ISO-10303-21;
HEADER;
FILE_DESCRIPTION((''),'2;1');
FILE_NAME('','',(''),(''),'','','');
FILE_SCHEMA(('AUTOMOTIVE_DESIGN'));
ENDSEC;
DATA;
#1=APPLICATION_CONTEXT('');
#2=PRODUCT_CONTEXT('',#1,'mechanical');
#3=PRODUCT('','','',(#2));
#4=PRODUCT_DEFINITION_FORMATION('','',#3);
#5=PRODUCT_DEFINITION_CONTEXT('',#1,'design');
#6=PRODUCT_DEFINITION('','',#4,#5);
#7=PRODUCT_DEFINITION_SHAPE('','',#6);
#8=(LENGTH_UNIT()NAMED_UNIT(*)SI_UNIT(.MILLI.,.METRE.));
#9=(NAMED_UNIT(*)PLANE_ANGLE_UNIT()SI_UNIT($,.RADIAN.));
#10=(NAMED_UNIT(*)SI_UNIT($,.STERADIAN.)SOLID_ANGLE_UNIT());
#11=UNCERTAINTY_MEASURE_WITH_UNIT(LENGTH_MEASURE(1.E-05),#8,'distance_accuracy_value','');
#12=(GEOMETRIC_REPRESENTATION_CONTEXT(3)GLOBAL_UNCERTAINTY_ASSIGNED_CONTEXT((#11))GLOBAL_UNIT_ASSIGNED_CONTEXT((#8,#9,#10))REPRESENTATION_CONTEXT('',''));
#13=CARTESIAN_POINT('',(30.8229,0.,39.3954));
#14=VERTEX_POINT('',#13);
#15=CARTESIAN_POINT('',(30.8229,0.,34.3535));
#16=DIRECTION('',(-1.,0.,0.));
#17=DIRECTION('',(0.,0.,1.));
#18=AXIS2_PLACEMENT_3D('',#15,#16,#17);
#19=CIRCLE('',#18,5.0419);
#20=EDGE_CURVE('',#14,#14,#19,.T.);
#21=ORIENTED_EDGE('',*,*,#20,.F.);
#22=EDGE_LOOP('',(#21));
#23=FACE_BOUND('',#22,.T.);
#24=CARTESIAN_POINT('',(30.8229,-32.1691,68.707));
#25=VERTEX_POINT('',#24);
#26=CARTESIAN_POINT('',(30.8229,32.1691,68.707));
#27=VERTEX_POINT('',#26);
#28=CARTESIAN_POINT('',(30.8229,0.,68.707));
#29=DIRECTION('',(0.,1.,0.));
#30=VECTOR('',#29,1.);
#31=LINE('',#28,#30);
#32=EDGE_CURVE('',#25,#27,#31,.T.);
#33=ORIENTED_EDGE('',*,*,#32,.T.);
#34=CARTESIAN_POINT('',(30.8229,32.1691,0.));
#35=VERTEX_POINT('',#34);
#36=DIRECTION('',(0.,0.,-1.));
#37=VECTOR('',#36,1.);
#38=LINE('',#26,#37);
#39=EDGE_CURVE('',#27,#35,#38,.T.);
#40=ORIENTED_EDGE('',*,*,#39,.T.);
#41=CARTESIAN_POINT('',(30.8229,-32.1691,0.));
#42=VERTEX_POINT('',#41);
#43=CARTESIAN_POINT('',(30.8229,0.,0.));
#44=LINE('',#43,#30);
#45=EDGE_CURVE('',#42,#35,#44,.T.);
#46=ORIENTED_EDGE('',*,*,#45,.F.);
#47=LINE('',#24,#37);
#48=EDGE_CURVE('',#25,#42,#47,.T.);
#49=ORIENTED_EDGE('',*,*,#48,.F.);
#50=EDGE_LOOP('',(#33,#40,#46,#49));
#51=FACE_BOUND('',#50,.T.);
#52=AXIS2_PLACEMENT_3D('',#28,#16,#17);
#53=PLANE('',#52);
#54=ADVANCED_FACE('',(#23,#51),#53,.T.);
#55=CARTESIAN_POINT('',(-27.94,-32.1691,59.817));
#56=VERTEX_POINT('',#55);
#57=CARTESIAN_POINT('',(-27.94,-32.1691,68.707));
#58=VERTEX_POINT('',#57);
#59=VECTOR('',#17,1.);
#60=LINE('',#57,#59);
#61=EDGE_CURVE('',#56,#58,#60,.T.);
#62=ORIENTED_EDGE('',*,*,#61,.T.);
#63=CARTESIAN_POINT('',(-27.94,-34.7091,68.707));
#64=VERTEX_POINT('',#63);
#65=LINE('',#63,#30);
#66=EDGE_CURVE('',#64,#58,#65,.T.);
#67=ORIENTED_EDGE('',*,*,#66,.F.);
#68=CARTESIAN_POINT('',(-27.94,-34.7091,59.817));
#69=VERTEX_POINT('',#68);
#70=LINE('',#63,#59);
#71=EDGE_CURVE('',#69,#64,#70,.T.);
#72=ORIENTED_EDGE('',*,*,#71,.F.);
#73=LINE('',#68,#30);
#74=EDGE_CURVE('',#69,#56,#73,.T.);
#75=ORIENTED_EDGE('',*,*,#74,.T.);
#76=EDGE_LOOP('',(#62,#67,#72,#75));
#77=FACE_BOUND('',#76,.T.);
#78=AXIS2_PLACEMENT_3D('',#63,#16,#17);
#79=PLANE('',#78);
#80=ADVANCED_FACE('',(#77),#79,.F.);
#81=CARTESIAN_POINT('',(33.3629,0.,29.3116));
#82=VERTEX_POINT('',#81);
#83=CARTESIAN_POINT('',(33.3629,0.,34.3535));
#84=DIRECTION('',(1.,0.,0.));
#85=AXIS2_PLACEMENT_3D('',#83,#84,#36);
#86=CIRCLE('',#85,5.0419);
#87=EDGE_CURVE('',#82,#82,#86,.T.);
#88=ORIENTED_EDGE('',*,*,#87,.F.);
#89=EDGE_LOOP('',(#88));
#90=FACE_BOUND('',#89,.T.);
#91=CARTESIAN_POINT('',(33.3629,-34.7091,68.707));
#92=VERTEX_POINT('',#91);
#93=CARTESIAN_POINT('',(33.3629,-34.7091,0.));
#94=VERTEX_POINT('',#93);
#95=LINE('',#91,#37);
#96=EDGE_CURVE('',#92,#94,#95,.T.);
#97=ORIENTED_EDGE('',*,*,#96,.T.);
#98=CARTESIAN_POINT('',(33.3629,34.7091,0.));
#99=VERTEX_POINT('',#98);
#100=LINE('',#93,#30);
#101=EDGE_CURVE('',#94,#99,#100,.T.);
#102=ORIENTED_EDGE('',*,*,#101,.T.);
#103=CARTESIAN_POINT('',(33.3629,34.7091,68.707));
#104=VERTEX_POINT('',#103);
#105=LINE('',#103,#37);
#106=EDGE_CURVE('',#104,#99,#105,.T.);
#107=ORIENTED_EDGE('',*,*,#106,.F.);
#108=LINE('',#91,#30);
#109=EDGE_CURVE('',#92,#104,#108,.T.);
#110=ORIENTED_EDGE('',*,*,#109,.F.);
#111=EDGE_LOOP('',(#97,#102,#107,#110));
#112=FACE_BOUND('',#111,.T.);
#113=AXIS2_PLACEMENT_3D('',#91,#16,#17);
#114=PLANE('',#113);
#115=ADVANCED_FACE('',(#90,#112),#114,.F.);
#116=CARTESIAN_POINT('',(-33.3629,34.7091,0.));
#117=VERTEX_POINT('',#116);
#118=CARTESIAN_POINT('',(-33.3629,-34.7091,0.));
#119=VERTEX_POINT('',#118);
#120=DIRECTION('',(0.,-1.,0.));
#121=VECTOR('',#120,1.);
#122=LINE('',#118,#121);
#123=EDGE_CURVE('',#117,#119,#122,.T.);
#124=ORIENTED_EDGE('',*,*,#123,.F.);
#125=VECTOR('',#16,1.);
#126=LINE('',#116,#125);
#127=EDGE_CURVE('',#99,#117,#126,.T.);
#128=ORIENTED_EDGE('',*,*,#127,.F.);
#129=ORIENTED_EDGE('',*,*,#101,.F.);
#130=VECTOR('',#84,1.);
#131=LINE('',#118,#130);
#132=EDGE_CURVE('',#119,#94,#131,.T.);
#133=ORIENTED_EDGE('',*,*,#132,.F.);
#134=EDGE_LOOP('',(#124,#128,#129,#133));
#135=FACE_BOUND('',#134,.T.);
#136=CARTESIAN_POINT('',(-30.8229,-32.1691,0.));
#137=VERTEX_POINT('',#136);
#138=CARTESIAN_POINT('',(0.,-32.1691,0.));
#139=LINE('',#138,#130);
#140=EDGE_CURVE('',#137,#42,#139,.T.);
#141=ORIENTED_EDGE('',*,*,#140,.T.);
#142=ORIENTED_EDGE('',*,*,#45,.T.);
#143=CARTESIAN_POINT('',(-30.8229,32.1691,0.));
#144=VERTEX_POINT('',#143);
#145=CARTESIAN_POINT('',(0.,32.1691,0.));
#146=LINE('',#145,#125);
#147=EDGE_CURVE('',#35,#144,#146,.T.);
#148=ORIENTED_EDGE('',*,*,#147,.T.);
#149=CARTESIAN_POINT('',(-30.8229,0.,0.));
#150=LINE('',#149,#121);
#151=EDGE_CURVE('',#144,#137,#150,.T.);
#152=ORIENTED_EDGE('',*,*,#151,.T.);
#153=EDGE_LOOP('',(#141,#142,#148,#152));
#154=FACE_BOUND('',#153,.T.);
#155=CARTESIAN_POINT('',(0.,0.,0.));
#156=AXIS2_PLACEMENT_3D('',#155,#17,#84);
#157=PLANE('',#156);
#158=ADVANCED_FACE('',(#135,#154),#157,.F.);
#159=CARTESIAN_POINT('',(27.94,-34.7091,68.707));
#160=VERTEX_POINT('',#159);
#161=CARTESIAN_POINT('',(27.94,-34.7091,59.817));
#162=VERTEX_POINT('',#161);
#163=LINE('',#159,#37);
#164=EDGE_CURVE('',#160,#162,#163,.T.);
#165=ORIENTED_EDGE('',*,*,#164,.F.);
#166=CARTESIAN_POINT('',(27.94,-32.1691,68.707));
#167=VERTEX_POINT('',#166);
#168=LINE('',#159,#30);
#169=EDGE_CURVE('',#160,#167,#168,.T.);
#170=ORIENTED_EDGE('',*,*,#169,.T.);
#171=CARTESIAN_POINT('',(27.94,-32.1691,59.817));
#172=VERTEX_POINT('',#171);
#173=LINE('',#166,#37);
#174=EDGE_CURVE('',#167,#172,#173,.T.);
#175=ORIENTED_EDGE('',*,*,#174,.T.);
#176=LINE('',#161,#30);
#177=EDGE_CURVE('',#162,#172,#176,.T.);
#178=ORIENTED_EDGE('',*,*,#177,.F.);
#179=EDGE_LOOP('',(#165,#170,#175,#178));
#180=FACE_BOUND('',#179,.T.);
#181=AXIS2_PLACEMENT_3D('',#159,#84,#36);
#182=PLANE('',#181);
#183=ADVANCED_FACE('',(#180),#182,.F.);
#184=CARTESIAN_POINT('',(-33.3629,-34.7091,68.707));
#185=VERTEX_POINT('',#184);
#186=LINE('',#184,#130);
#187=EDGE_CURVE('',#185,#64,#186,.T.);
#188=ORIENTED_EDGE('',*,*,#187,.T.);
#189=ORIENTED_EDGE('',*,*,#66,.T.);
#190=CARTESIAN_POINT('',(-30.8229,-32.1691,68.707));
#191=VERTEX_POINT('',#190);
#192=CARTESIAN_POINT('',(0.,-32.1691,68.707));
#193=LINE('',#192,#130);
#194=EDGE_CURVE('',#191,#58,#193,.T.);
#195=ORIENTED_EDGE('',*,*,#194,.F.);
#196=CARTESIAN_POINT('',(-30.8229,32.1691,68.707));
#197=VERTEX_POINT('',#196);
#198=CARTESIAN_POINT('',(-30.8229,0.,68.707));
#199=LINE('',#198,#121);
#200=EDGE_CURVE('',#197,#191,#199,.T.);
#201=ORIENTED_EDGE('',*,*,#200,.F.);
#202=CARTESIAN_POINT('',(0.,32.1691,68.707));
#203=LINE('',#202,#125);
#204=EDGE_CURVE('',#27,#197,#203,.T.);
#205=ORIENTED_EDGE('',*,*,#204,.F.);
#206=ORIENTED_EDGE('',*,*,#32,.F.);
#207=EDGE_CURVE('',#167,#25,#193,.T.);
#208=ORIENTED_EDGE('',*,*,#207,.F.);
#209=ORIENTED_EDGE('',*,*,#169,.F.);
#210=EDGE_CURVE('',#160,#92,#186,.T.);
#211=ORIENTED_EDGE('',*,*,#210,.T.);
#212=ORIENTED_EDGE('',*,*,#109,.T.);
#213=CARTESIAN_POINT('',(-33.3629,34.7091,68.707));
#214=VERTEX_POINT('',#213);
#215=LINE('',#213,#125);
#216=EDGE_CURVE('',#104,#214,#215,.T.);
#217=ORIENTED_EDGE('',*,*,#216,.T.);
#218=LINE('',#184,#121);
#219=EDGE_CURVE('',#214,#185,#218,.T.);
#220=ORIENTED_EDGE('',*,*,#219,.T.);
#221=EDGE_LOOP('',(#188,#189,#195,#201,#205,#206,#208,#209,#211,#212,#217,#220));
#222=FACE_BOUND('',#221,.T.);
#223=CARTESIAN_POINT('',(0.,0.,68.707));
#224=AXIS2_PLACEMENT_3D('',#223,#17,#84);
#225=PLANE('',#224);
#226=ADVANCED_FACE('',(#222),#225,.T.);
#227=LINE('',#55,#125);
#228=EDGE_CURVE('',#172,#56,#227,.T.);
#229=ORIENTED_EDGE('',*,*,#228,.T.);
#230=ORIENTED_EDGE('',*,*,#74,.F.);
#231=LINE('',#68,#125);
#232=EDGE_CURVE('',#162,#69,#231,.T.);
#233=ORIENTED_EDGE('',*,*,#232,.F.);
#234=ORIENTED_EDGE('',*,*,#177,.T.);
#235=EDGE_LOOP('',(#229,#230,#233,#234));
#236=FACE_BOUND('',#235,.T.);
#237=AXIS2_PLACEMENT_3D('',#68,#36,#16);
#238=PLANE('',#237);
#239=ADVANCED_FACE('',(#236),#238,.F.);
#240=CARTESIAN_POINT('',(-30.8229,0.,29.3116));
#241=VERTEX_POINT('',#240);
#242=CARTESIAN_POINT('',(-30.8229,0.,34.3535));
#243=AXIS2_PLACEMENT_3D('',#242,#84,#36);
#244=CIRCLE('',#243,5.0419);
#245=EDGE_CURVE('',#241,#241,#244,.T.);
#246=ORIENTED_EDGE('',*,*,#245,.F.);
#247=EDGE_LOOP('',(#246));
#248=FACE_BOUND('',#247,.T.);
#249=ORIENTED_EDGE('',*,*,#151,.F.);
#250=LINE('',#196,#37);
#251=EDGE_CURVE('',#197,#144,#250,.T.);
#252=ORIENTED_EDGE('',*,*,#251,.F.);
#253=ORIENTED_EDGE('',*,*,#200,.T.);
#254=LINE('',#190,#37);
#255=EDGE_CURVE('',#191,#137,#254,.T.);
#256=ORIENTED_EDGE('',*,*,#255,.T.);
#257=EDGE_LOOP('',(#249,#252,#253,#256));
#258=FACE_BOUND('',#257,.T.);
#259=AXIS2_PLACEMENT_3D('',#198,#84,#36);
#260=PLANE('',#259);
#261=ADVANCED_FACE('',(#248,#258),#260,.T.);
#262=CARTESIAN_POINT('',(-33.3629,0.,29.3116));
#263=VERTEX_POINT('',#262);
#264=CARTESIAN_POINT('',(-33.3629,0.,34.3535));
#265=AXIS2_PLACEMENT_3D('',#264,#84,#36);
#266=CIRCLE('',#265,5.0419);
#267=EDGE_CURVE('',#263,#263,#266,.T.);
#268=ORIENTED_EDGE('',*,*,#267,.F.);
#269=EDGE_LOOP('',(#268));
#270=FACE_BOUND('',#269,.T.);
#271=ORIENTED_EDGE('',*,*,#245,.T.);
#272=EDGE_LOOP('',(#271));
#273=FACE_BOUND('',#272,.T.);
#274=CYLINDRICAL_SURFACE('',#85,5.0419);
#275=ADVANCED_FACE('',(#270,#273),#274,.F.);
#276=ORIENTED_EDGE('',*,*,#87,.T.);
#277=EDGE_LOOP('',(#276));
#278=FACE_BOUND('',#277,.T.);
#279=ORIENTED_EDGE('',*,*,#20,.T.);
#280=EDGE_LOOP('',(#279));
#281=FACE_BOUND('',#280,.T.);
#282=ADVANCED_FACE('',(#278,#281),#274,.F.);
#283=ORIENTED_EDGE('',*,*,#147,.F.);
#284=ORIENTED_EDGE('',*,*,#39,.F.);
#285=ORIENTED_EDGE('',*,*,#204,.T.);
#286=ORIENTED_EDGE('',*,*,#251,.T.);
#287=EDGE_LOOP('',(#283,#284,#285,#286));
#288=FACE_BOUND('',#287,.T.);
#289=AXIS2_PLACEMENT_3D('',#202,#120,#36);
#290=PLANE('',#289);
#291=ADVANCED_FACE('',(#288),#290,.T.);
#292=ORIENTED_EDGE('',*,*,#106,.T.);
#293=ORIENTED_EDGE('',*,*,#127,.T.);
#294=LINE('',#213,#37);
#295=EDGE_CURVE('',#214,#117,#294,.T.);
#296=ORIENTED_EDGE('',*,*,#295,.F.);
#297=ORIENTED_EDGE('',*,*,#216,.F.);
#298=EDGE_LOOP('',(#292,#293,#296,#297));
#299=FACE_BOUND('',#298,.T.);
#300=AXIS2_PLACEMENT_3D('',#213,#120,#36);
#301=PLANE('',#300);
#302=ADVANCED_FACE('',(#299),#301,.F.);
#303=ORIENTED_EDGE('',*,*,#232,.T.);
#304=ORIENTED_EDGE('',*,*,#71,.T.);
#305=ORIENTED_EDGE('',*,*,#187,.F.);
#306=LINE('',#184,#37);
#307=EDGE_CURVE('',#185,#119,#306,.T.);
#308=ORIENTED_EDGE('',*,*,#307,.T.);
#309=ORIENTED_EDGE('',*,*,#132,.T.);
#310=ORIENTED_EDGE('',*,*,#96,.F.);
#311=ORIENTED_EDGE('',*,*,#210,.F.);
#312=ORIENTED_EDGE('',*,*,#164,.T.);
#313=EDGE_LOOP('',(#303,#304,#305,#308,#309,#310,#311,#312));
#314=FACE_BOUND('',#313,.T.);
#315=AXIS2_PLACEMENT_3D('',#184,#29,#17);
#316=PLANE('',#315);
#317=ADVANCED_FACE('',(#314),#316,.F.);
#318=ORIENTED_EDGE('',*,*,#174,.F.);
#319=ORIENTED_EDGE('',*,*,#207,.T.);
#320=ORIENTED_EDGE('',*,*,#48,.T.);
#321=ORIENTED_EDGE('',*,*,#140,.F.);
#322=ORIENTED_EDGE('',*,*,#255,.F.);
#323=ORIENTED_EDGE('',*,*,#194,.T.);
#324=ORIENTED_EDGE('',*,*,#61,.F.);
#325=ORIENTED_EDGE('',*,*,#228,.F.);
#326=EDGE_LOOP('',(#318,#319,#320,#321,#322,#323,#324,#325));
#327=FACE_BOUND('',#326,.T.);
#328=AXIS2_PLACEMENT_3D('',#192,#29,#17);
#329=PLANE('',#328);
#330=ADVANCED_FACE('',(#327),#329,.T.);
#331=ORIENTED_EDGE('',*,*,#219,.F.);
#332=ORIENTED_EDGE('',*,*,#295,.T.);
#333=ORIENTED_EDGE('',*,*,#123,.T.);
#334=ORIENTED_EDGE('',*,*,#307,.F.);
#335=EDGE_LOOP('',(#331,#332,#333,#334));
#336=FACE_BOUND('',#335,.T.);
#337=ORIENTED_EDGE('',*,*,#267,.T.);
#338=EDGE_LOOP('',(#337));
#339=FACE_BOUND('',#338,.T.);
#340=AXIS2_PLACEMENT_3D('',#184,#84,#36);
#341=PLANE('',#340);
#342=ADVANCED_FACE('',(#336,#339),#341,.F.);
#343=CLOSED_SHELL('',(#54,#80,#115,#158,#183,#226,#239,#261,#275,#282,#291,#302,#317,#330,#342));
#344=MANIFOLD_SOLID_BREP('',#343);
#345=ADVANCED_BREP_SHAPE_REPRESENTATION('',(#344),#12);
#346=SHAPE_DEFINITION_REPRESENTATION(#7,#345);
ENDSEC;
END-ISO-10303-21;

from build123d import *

# Parameters (mm, degrees)
SKETCH1_W               = 66.7258
SKETCH1_H               = 69.4182
SKETCH1_W_2             = 61.6458
SKETCH1_H_2             = 64.3382
EXTRUDE_THIN1_DEPTH     = 68.707
F_3_8_CLEARANCE_HOLE1_D = 10.0838
SKETCH4_W               = 55.88
SKETCH4_H               = 8.89
CUT_EXTRUDE1_DEPTH      = 3.54


with BuildPart() as part:
    # Sketch1 → Extrude-Thin1 (new body)
    with BuildSketch(Plane.XY):
        Rectangle(SKETCH1_W, SKETCH1_H)
        Rectangle(SKETCH1_W_2, SKETCH1_H_2, mode=Mode.SUBTRACT)
    extrude(amount=EXTRUDE_THIN1_DEPTH)

    # 3/8 Clearance Hole1 (through all)
    with Locations(Plane(origin=(33.3629, 0, 0), x_dir=(0, 0, -1), z_dir=(1, 0, 0))):
        with Locations((-34.3535, 0)):
            Hole(F_3_8_CLEARANCE_HOLE1_D / 2)

    # Sketch4 → Cut-Extrude1 (cut, through all)
    with BuildSketch(Plane(origin=(0, -32.1691, 0), x_dir=(1, 0, 0), z_dir=(0, 1, 0))):
        with Locations((0, -64.262)):
            Rectangle(SKETCH4_W, SKETCH4_H)
    extrude(amount=-CUT_EXTRUDE1_DEPTH, mode=Mode.SUBTRACT)


solid = part.part
